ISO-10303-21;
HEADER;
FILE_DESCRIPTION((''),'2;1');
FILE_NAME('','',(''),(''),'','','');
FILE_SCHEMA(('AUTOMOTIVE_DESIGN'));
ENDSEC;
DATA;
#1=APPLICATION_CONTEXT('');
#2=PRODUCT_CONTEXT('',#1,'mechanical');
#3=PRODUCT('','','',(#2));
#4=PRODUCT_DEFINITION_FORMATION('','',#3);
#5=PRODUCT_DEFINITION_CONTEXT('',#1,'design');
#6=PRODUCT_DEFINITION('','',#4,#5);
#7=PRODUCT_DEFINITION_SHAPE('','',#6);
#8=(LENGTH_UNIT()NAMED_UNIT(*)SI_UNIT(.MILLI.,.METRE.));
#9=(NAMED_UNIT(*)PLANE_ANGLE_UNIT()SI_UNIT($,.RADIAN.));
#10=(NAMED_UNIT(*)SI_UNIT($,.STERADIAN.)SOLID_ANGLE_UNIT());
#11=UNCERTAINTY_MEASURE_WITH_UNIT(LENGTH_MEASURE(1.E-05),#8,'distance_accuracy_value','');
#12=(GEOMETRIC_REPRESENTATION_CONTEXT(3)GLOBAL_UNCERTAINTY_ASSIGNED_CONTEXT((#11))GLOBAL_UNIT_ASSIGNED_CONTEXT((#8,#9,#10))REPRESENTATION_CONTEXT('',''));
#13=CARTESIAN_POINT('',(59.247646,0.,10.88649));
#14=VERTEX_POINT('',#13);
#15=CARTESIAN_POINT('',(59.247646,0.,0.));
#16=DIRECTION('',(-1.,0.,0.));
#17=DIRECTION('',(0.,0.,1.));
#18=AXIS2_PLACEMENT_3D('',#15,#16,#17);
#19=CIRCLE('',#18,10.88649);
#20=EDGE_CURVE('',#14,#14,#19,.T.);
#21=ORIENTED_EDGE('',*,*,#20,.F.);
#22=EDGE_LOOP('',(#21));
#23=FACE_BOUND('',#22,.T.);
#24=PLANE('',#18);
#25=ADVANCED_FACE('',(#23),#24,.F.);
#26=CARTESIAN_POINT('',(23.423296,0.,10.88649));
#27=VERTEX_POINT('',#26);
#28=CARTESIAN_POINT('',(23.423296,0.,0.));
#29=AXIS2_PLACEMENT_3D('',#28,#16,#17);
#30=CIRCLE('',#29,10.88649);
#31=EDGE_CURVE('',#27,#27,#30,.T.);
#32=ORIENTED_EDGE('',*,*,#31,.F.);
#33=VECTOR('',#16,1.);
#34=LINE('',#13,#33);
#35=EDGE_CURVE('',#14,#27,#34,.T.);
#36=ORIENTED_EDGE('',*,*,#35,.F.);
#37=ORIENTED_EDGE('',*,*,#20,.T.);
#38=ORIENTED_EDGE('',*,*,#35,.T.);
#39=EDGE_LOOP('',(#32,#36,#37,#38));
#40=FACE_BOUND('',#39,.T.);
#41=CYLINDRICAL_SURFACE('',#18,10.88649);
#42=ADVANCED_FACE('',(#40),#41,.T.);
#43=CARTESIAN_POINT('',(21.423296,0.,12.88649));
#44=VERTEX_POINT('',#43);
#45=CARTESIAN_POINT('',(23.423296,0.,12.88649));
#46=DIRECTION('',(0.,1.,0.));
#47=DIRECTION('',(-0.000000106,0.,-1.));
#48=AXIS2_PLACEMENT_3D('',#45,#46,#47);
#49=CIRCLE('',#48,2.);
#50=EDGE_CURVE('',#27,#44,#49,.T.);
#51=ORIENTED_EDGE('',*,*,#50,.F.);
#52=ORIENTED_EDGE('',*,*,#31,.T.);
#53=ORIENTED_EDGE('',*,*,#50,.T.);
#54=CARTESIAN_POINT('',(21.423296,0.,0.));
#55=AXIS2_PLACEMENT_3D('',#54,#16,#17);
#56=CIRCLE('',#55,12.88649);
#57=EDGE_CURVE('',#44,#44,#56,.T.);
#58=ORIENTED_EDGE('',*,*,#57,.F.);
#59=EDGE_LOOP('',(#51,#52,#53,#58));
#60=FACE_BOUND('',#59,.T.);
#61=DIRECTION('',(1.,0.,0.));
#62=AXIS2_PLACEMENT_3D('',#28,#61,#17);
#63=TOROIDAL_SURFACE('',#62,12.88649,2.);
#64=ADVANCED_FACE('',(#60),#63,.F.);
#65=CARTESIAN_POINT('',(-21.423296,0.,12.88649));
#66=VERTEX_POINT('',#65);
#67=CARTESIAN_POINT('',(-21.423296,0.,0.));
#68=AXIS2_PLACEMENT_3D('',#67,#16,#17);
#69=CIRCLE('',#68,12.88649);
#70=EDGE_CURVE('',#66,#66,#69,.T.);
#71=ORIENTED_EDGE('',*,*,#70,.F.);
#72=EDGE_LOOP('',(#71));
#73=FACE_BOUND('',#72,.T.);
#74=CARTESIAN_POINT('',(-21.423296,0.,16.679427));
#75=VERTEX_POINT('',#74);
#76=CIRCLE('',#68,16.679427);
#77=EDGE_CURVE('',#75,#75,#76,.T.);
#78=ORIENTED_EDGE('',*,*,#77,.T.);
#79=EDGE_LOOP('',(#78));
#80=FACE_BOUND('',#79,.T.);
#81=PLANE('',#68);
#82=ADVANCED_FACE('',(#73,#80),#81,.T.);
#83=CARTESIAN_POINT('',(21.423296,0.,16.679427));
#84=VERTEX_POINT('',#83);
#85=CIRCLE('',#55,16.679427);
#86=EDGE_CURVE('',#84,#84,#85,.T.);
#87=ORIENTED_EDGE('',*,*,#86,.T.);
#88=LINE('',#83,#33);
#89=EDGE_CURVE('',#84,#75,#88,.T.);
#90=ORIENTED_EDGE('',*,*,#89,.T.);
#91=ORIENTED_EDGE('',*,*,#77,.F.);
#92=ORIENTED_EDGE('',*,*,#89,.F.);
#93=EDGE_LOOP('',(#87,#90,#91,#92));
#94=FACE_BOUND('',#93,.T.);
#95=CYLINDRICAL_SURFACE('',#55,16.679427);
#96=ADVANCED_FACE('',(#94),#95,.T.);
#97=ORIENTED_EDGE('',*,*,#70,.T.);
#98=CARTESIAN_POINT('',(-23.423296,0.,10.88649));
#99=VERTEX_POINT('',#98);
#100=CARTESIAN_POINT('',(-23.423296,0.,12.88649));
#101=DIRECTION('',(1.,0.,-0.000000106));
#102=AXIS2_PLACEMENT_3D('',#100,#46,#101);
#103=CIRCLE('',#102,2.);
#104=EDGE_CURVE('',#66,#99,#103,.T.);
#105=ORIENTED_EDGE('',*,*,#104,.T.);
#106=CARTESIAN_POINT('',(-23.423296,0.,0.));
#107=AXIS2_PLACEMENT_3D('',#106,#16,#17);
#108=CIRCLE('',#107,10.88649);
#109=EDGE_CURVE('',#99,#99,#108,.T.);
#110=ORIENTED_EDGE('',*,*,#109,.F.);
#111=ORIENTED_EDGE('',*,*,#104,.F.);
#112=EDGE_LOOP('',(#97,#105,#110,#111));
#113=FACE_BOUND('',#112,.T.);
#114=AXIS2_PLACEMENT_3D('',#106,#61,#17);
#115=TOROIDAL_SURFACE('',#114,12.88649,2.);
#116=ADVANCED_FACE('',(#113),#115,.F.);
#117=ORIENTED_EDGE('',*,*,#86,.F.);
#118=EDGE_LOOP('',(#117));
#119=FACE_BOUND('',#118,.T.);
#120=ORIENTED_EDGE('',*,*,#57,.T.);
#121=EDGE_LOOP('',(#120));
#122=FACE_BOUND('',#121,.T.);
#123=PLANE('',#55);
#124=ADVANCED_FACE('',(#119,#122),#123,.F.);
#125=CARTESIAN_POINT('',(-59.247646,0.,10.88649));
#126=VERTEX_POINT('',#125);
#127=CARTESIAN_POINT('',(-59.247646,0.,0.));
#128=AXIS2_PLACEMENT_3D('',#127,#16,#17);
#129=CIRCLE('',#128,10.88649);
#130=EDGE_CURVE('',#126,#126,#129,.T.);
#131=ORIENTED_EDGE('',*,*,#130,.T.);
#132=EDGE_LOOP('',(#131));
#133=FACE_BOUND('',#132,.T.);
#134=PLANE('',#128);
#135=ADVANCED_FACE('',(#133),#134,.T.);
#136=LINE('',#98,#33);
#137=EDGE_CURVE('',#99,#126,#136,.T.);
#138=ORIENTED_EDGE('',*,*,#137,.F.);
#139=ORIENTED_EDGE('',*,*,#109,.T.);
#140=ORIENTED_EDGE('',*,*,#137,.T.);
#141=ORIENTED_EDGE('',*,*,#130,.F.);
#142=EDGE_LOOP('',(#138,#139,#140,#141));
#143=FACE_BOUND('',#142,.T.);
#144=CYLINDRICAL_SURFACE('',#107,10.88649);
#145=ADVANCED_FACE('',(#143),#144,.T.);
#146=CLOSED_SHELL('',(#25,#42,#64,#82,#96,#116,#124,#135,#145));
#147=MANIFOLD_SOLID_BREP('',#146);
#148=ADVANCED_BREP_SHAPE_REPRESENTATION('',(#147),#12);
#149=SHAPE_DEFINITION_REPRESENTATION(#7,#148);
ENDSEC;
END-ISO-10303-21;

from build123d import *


with BuildPart() as f1:
    # F0 (on Front) → F1 (revolve)
    with BuildSketch(Plane.XZ):
        with BuildLine():
            Line((-59.247646, 10.88649), (-59.247646, 0))
            Line((-59.247646, 0), (59.247646, 0))
            Line((59.247646, 0), (59.247646, 10.88649))
            Line((59.247646, 10.88649), (23.423296, 10.88649))
            ThreePointArc((23.423296, 10.88649), (22.009082, 11.472277), (21.423296, 12.88649))
            Line((21.423296, 12.88649), (21.423296, 16.679427))
            Line((21.423296, 16.679427), (0, 16.679427))
            Line((0, 16.679427), (-21.423296, 16.679427))
            Line((-21.423296, 16.679427), (-21.423296, 12.88649))
            ThreePointArc((-21.423296, 12.88649), (-22.009082, 11.472277), (-23.423296, 10.88649))
            Line((-23.423296, 10.88649), (-59.247646, 10.88649))
        make_face()
    revolve(axis=Axis((0, 0, 0), (-1, 0, 0)))


solid = f1.part
